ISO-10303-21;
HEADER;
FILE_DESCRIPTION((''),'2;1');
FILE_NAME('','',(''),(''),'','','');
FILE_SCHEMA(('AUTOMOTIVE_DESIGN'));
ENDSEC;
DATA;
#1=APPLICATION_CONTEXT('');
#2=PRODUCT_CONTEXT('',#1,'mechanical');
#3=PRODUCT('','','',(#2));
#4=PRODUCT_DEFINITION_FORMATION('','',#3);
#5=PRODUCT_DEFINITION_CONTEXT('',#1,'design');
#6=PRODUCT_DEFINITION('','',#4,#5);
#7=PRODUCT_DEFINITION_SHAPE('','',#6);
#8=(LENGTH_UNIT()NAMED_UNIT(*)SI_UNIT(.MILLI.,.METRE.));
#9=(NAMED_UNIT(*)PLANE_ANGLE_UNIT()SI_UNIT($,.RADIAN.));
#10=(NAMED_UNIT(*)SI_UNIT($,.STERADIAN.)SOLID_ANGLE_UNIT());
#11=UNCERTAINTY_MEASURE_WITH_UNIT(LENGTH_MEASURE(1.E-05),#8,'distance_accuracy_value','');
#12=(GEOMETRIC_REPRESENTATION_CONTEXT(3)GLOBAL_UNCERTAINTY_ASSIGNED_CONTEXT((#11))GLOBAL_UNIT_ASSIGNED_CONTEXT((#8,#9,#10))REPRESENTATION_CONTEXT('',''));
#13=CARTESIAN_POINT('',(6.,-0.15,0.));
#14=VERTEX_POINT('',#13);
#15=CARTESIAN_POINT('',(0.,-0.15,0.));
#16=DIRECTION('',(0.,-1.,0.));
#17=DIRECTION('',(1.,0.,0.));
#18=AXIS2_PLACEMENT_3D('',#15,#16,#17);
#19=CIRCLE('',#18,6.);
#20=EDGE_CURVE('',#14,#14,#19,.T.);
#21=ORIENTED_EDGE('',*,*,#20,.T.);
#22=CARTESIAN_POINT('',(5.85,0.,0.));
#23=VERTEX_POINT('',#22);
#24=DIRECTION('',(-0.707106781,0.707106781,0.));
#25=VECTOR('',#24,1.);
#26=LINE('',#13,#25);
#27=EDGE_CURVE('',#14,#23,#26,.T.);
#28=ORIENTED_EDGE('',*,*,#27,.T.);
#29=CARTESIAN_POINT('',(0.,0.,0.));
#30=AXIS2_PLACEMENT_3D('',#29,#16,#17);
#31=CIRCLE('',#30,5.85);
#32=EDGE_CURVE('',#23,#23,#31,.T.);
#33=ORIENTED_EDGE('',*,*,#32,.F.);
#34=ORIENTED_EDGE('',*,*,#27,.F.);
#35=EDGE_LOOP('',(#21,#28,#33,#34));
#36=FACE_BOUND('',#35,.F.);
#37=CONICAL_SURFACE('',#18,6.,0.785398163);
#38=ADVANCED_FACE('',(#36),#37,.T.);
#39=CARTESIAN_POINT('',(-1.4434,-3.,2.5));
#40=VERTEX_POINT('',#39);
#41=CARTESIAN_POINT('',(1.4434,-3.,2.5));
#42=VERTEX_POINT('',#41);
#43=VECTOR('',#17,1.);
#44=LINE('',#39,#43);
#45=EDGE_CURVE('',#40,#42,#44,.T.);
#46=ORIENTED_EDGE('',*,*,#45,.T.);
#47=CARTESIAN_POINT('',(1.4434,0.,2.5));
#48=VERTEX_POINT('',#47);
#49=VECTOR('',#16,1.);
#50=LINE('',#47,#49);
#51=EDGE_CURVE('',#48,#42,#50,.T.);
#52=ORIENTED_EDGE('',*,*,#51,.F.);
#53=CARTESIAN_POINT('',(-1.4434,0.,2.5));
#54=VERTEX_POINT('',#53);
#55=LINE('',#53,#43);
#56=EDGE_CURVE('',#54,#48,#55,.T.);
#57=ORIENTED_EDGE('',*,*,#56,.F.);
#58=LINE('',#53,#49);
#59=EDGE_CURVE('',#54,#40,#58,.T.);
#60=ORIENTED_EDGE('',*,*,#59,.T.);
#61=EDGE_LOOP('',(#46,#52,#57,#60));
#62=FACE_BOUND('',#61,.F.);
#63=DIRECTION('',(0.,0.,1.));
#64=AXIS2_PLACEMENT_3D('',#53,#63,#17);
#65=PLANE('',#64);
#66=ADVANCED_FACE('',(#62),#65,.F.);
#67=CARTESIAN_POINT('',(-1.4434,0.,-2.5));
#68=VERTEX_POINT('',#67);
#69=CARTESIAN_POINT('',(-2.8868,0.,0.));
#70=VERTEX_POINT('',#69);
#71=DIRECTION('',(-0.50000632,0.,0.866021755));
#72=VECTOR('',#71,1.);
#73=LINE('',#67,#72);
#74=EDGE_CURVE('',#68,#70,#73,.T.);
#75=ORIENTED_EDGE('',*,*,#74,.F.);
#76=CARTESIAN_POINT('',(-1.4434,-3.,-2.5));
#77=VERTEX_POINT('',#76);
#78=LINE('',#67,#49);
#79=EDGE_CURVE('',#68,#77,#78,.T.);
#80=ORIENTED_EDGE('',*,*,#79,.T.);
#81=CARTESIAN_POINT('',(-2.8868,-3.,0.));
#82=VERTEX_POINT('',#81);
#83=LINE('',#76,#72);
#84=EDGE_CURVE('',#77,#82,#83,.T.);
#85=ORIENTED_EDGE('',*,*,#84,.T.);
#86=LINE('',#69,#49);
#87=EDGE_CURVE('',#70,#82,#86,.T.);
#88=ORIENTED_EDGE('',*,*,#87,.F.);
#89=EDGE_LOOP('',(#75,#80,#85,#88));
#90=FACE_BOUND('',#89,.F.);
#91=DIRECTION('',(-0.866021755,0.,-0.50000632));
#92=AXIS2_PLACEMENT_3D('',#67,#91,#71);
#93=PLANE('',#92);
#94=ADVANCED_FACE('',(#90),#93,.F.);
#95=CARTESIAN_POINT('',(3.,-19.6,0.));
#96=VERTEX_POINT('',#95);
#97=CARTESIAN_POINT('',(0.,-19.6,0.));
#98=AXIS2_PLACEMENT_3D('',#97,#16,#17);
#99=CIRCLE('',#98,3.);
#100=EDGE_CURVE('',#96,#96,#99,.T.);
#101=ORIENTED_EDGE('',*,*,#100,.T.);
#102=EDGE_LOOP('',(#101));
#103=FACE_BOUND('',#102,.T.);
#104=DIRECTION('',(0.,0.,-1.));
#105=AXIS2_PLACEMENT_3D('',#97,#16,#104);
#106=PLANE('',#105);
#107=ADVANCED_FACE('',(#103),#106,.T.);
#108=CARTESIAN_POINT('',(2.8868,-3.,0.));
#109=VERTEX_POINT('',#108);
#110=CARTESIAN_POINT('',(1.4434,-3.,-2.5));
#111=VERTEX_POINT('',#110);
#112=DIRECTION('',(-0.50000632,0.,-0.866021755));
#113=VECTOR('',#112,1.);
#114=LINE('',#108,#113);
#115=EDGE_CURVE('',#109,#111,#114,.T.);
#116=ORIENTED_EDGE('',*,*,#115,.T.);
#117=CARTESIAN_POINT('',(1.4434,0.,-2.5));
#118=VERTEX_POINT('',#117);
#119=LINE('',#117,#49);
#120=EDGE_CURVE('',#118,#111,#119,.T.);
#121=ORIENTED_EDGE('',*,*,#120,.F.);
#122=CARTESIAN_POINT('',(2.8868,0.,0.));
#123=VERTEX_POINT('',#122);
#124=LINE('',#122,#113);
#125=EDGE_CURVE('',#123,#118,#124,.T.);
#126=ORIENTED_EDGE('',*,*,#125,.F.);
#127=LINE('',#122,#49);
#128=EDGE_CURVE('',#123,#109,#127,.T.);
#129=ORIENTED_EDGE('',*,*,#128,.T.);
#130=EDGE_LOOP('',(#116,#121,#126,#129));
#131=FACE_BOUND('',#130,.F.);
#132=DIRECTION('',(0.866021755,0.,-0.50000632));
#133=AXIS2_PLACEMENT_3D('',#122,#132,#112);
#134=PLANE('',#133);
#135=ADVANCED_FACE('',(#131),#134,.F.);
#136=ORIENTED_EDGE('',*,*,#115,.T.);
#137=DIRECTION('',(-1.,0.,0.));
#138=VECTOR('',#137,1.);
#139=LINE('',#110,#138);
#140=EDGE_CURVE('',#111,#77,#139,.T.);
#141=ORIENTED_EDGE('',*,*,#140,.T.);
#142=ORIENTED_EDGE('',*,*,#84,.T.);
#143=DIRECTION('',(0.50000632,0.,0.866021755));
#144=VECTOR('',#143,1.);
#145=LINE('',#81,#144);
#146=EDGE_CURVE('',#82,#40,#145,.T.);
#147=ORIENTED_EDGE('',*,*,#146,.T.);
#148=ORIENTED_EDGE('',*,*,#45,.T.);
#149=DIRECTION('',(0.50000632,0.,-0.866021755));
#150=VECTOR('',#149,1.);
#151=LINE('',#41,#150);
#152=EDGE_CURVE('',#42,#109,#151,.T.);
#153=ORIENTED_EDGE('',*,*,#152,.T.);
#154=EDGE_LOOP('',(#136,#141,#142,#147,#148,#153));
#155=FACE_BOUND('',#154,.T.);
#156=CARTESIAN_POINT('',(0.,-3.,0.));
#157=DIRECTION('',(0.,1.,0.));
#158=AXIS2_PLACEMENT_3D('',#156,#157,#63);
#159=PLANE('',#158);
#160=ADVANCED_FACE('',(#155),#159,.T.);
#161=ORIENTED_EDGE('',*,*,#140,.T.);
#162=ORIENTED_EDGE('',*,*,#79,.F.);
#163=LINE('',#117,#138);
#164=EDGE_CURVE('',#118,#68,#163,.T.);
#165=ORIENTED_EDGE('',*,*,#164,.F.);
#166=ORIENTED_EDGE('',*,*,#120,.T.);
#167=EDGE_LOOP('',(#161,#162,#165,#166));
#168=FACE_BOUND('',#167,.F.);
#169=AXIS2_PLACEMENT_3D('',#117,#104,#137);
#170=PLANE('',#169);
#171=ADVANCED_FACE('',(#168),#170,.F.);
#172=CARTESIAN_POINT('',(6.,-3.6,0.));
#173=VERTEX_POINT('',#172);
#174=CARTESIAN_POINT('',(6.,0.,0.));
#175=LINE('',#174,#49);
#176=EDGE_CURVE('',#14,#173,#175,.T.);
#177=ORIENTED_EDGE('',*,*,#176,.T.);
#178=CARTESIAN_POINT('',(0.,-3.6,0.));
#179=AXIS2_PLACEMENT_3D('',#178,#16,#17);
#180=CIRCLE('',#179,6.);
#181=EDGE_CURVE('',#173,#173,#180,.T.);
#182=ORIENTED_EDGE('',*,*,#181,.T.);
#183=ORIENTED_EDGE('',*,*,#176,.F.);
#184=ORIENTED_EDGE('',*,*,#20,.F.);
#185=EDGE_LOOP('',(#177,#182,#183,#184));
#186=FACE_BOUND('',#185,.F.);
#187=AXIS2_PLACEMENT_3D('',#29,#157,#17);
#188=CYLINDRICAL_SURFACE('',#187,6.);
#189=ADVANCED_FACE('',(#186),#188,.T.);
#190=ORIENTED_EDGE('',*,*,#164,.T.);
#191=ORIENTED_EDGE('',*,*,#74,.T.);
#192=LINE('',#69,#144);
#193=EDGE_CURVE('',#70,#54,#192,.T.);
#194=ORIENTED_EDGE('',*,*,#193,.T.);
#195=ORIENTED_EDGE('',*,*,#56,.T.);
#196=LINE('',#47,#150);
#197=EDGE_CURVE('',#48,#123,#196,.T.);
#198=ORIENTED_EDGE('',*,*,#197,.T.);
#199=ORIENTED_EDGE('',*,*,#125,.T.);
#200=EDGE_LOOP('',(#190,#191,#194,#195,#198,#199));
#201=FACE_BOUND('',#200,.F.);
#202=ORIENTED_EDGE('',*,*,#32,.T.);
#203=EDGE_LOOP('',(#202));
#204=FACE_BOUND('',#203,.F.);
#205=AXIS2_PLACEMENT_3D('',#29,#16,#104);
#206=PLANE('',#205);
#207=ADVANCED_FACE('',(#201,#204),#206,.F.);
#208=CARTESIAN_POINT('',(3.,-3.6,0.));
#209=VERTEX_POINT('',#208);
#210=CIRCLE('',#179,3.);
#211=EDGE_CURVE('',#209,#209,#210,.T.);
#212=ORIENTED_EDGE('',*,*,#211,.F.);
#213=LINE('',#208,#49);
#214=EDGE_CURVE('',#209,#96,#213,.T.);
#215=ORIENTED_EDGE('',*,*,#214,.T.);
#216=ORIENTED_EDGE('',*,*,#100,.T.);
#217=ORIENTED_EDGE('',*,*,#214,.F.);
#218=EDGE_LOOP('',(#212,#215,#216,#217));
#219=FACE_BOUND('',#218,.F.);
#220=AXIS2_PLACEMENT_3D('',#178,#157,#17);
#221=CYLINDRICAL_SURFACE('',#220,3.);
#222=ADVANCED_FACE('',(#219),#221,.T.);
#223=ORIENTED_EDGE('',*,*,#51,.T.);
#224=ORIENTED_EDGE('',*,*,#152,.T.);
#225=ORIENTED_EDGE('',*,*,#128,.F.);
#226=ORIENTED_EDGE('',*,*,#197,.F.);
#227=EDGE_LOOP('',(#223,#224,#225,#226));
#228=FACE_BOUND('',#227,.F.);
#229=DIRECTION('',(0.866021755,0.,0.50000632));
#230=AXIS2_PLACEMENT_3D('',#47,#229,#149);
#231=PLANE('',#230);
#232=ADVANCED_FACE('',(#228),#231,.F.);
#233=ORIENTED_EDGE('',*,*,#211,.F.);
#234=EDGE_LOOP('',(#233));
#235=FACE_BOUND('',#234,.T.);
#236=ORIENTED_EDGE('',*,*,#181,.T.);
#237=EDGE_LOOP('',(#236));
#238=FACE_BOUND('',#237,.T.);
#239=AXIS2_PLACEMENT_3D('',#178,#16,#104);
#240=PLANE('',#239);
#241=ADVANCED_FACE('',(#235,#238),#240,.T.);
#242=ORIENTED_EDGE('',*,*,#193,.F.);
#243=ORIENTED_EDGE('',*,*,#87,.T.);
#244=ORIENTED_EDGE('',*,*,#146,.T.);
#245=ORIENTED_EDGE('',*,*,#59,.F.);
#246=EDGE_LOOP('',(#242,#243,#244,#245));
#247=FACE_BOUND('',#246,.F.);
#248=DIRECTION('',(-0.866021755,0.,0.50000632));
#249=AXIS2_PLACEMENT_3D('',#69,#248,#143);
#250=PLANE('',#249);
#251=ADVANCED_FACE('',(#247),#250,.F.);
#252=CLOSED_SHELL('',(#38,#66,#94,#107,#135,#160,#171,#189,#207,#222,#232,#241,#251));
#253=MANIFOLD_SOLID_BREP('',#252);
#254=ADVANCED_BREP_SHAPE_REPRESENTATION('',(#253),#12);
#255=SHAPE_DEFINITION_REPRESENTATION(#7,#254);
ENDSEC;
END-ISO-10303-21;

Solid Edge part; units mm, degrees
sketch "Sketch1" plane through (0, 0, 0) normal (0, -1, 0) x (1, 0, 0)
  circle A0 centre (0, 0) radius 6
extrude "Protrusion1" add sketch "Sketch1" along normal blind 3.6
sketch "Sketch2" plane through (0, -3.6, 0) normal (0, -1, 0) x (1, 0, 0)
  circle A0 centre (0, 0) radius 3
extrude "Protrusion2" add sketch "Sketch2" along normal blind 16
cosmetic_thread "Thread1" size "M6"
sketch "Sketch3" plane through (0, 0, 0) normal (0, 1, 0) x (0, 0, -1)
  line L0 (2.5, -1.4434) -> (2.5, 1.4434)
  line L1 (2.5, 1.4434) -> (0, 2.8868)
  line L2 (0, 2.8868) -> (-2.5, 1.4434)
  line L3 (-2.5, 1.4434) -> (-2.5, -1.4434)
  line L4 (-2.5, -1.4434) -> (0, -2.8868)
  line L5 (0, -2.8868) -> (2.5, -1.4434)
extrude "ExtrudedCutout_4" cut sketch "Sketch3" against normal blind 3
chamfer "Chamfer_1" distance 0.15 angle 45 1 edges at (-6, 0, 0)
properties material "Nylon, general purpose"
